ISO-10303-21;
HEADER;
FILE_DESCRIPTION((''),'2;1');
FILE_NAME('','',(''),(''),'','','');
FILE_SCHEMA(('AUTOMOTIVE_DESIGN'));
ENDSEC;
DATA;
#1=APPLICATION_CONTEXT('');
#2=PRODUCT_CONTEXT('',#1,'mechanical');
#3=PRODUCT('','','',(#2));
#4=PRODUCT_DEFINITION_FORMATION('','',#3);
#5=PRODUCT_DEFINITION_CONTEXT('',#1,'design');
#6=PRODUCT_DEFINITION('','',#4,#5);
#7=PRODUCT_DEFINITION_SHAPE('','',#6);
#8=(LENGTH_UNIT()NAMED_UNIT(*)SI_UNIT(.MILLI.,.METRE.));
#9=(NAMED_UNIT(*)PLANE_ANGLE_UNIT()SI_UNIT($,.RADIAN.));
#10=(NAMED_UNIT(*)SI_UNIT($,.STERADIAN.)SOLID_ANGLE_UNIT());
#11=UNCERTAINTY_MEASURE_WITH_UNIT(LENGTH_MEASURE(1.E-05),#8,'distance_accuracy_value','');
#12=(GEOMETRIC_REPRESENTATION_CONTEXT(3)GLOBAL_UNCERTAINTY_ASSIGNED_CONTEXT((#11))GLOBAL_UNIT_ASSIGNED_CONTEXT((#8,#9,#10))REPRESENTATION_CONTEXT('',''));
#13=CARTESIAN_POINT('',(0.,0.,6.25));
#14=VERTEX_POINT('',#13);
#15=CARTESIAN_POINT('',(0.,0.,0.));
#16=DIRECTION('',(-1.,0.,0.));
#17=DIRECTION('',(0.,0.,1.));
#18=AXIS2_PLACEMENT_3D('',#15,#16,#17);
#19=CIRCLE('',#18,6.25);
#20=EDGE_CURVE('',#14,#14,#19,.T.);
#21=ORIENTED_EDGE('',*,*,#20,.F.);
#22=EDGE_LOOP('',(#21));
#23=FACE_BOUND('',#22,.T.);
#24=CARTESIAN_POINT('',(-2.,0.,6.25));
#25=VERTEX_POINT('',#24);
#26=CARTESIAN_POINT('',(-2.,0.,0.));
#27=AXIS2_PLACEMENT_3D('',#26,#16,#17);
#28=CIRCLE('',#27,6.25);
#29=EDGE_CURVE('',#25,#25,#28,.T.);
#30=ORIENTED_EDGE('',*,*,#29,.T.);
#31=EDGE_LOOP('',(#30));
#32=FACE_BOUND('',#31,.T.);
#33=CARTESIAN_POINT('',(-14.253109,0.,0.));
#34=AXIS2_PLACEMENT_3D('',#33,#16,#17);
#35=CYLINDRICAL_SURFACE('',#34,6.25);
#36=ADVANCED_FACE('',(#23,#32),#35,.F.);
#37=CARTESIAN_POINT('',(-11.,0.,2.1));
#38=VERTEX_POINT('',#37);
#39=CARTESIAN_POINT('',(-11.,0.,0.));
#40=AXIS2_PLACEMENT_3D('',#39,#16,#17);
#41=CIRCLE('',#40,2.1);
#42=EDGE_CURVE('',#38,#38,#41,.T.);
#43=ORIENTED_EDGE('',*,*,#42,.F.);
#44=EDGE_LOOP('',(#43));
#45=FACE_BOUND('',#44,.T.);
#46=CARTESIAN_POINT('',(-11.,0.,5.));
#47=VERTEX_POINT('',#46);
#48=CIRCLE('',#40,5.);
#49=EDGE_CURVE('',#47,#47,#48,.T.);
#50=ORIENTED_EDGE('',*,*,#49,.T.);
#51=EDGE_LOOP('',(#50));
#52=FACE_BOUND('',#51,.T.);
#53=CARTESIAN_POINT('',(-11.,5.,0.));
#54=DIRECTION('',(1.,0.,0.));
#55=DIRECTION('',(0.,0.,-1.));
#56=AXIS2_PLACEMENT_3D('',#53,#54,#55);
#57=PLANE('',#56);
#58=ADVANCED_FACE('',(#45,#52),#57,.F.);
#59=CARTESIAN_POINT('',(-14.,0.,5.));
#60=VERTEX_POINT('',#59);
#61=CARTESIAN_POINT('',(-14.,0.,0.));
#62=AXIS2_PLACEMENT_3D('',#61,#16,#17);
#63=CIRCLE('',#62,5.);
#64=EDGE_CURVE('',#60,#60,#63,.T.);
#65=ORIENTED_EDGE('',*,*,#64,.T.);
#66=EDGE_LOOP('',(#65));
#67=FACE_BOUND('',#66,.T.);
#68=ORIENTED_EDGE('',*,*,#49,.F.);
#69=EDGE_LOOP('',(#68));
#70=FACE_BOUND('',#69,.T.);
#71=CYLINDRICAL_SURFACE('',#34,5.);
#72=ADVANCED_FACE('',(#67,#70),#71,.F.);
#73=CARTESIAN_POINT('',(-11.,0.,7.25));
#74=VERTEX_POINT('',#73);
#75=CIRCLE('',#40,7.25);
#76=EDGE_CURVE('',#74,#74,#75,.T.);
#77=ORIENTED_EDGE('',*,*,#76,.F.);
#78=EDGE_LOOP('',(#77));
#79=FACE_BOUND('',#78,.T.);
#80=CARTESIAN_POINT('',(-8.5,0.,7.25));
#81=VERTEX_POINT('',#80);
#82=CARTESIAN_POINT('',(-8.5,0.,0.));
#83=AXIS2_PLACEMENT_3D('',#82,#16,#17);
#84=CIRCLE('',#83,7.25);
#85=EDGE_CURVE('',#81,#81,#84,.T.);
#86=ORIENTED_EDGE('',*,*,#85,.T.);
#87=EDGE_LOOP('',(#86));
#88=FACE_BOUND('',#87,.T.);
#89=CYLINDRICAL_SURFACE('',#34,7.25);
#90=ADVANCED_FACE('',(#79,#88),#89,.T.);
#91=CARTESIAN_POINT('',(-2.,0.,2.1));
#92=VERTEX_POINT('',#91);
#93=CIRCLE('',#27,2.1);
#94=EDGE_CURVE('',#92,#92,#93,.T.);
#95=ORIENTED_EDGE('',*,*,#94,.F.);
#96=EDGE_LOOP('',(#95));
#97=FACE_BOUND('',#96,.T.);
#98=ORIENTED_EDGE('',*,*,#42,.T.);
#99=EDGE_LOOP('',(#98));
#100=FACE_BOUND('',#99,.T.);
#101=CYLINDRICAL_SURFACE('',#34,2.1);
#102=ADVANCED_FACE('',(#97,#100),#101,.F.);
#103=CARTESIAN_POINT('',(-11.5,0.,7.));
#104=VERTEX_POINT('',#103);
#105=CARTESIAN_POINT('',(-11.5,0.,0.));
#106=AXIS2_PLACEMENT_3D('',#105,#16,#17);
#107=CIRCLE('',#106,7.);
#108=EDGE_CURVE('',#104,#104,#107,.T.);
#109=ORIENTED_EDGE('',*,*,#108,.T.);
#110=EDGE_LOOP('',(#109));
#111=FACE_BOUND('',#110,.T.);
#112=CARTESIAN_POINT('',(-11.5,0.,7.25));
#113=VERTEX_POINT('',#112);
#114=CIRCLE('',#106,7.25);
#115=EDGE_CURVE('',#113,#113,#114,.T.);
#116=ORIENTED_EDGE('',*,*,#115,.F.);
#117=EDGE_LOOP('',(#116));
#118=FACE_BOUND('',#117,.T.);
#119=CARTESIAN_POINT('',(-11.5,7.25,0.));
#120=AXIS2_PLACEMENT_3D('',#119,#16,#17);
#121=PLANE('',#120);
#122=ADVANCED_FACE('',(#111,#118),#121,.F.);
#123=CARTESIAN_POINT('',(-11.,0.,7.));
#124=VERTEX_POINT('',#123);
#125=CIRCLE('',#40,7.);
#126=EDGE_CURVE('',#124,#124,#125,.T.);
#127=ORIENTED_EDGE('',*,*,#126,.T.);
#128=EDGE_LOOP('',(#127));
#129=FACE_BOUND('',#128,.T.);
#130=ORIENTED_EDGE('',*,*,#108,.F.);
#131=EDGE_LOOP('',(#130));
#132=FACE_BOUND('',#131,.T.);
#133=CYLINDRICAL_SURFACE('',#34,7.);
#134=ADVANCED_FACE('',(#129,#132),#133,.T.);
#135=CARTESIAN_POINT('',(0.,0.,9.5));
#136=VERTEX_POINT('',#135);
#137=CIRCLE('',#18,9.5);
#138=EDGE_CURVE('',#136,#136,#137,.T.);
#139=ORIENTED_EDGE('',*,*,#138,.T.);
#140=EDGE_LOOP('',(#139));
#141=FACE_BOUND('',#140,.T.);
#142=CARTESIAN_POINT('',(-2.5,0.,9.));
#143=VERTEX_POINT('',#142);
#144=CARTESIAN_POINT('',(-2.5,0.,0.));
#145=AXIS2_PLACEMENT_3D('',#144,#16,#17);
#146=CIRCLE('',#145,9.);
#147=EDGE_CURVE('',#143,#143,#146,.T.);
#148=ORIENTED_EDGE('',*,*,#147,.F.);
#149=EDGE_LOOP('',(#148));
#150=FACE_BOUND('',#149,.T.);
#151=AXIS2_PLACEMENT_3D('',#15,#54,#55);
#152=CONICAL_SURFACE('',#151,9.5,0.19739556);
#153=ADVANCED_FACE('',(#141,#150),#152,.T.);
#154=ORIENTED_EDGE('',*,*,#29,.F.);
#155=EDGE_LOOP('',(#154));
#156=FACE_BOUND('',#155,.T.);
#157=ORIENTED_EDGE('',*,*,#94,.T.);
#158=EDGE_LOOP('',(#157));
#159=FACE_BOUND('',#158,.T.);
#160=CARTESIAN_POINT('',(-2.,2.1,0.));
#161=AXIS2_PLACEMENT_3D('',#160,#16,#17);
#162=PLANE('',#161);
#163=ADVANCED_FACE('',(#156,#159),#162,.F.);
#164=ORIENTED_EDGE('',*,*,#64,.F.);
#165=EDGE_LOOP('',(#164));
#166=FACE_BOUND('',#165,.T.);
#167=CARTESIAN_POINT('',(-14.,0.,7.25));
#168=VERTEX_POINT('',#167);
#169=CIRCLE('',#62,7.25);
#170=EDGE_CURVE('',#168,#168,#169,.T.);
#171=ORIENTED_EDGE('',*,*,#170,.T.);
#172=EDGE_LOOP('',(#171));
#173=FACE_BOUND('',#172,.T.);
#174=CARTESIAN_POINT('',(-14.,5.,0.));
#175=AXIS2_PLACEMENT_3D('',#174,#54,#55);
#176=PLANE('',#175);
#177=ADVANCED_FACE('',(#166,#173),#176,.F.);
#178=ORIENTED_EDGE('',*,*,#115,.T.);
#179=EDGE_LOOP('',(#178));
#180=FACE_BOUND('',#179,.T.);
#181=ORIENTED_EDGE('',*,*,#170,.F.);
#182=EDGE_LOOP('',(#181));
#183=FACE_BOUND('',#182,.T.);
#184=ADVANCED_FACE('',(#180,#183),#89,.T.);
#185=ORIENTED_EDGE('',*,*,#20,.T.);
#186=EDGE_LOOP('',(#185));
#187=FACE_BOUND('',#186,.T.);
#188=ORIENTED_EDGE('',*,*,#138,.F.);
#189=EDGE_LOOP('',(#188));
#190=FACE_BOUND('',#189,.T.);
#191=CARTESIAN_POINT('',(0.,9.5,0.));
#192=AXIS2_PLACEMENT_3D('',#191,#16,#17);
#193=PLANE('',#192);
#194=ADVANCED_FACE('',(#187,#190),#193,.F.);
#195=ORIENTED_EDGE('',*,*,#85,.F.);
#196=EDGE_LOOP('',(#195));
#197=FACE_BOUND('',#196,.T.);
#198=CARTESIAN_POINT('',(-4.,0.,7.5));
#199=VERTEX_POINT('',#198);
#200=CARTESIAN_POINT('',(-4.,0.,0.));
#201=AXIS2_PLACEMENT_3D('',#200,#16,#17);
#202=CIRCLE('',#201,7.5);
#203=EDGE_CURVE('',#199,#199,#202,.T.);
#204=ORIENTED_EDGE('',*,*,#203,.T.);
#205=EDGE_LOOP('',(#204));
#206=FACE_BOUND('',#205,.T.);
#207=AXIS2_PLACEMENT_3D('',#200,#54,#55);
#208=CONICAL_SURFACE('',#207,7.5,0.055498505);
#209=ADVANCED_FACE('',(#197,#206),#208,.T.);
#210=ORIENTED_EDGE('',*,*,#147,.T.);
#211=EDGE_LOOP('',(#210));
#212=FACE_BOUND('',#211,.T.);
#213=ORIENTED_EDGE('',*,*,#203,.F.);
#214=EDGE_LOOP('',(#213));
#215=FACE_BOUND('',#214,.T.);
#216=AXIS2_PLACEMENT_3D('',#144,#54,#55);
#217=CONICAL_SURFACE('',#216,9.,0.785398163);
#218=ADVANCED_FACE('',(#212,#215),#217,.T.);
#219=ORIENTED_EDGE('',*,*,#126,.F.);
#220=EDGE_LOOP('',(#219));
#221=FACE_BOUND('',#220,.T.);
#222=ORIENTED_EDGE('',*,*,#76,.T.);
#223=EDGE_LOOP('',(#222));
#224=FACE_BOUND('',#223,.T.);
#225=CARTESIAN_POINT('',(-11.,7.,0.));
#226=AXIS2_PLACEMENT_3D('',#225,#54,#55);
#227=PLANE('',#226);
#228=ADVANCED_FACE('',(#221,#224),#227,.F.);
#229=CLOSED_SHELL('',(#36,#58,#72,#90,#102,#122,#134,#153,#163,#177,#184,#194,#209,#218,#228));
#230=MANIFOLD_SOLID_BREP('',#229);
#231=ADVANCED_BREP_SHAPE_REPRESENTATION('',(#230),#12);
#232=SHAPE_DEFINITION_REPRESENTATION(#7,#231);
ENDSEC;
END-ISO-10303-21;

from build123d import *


with BuildPart() as part:
    # Esquisse1 → Révolution1 (revolve)
    with BuildSketch(Plane.XY, mode=Mode.PRIVATE) as r_volution1_sk:
        Polygon((0, 9.5), (0, 6.25), (-2, 6.25), (-2, 2.1), (-11, 2.1), (-11, 5), (-14, 5), (-14, 7.25), (-11.5, 7.25), (-11.5, 7), (-11, 7), (-11, 7.25), (-8.5, 7.25), (-4, 7.5), (-2.5, 9), align=None)
    revolve(r_volution1_sk.sketch.rotate(Axis((-14.253108504, 0, 0), (1, 0, 0)), 90), axis=Axis((-14.253108504, 0, 0), (1, 0, 0)))  # turned: the seam where the file's is


solid = part.part
